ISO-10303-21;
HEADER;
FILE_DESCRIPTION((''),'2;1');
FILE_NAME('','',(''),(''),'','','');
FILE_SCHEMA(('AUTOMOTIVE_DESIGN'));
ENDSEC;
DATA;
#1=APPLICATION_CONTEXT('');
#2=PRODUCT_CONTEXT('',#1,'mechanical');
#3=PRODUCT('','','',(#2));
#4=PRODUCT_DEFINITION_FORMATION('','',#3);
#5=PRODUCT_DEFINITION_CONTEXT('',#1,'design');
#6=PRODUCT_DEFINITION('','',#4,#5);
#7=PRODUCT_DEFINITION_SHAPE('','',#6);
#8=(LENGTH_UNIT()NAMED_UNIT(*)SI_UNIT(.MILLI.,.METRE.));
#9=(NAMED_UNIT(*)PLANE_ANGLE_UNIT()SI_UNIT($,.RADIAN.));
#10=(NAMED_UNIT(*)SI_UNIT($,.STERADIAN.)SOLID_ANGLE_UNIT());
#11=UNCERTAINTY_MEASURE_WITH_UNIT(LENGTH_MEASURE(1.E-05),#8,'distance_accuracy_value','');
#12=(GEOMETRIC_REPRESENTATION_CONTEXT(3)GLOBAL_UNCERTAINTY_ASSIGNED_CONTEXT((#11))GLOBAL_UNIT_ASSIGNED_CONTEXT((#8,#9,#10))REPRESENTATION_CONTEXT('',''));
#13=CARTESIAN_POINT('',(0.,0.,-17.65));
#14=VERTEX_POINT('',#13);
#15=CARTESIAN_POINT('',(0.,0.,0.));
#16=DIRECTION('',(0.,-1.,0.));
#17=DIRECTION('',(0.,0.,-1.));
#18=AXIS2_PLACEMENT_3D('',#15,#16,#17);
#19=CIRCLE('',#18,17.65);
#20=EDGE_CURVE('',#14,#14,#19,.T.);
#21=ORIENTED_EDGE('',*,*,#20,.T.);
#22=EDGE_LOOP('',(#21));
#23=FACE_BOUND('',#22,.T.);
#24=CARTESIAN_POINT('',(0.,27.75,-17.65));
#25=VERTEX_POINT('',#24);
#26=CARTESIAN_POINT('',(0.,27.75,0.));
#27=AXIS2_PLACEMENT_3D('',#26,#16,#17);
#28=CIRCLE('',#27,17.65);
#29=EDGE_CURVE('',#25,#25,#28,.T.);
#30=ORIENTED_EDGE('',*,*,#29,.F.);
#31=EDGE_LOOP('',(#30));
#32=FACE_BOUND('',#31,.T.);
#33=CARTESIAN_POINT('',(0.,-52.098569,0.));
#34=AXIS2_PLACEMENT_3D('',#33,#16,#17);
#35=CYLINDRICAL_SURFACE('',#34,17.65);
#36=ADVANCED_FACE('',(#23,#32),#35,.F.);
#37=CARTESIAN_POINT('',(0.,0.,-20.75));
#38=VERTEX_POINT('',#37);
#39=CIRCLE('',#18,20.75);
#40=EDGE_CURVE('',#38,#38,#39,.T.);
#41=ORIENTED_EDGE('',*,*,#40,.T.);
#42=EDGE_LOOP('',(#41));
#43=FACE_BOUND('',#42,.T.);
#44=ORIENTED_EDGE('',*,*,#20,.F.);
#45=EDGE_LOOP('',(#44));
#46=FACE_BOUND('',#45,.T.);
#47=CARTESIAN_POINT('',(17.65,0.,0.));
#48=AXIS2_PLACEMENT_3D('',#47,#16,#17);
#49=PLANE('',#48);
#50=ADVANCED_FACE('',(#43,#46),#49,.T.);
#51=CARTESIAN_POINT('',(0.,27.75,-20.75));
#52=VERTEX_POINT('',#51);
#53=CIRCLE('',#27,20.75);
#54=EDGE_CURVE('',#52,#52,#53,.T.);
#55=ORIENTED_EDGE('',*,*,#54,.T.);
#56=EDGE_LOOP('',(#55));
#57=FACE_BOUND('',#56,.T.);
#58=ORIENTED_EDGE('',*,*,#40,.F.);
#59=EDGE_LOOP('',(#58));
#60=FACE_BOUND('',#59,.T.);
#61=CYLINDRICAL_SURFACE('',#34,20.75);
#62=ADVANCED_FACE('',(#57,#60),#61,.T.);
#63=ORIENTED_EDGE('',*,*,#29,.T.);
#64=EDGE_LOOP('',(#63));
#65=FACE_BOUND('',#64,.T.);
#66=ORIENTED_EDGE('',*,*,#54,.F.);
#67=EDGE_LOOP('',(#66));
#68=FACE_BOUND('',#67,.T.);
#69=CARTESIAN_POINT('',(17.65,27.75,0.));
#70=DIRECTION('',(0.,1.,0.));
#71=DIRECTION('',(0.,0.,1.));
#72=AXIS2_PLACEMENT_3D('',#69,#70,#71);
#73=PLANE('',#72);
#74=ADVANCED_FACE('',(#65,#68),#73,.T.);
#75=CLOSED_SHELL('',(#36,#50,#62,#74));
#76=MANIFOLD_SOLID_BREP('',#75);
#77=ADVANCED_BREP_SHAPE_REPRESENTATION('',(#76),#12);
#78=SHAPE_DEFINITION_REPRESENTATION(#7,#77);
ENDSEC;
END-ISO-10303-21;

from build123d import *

# Parameters (mm, degrees)
ESBO_O1_W = 3.1
ESBO_O1_H = 27.75


with BuildPart() as part:
    # Esboço1 → Revolução1 (revolve)
    with BuildSketch(Plane.XY, mode=Mode.PRIVATE) as revolu_o1_sk:
        with Locations((19.2, 13.875)):
            Rectangle(ESBO_O1_W, ESBO_O1_H)
    revolve(revolu_o1_sk.sketch.rotate(Axis((0, -52.098568507, 0), (0, 1, 0)), 90), axis=Axis((0, -52.098568507, 0), (0, 1, 0)))


solid = part.part
